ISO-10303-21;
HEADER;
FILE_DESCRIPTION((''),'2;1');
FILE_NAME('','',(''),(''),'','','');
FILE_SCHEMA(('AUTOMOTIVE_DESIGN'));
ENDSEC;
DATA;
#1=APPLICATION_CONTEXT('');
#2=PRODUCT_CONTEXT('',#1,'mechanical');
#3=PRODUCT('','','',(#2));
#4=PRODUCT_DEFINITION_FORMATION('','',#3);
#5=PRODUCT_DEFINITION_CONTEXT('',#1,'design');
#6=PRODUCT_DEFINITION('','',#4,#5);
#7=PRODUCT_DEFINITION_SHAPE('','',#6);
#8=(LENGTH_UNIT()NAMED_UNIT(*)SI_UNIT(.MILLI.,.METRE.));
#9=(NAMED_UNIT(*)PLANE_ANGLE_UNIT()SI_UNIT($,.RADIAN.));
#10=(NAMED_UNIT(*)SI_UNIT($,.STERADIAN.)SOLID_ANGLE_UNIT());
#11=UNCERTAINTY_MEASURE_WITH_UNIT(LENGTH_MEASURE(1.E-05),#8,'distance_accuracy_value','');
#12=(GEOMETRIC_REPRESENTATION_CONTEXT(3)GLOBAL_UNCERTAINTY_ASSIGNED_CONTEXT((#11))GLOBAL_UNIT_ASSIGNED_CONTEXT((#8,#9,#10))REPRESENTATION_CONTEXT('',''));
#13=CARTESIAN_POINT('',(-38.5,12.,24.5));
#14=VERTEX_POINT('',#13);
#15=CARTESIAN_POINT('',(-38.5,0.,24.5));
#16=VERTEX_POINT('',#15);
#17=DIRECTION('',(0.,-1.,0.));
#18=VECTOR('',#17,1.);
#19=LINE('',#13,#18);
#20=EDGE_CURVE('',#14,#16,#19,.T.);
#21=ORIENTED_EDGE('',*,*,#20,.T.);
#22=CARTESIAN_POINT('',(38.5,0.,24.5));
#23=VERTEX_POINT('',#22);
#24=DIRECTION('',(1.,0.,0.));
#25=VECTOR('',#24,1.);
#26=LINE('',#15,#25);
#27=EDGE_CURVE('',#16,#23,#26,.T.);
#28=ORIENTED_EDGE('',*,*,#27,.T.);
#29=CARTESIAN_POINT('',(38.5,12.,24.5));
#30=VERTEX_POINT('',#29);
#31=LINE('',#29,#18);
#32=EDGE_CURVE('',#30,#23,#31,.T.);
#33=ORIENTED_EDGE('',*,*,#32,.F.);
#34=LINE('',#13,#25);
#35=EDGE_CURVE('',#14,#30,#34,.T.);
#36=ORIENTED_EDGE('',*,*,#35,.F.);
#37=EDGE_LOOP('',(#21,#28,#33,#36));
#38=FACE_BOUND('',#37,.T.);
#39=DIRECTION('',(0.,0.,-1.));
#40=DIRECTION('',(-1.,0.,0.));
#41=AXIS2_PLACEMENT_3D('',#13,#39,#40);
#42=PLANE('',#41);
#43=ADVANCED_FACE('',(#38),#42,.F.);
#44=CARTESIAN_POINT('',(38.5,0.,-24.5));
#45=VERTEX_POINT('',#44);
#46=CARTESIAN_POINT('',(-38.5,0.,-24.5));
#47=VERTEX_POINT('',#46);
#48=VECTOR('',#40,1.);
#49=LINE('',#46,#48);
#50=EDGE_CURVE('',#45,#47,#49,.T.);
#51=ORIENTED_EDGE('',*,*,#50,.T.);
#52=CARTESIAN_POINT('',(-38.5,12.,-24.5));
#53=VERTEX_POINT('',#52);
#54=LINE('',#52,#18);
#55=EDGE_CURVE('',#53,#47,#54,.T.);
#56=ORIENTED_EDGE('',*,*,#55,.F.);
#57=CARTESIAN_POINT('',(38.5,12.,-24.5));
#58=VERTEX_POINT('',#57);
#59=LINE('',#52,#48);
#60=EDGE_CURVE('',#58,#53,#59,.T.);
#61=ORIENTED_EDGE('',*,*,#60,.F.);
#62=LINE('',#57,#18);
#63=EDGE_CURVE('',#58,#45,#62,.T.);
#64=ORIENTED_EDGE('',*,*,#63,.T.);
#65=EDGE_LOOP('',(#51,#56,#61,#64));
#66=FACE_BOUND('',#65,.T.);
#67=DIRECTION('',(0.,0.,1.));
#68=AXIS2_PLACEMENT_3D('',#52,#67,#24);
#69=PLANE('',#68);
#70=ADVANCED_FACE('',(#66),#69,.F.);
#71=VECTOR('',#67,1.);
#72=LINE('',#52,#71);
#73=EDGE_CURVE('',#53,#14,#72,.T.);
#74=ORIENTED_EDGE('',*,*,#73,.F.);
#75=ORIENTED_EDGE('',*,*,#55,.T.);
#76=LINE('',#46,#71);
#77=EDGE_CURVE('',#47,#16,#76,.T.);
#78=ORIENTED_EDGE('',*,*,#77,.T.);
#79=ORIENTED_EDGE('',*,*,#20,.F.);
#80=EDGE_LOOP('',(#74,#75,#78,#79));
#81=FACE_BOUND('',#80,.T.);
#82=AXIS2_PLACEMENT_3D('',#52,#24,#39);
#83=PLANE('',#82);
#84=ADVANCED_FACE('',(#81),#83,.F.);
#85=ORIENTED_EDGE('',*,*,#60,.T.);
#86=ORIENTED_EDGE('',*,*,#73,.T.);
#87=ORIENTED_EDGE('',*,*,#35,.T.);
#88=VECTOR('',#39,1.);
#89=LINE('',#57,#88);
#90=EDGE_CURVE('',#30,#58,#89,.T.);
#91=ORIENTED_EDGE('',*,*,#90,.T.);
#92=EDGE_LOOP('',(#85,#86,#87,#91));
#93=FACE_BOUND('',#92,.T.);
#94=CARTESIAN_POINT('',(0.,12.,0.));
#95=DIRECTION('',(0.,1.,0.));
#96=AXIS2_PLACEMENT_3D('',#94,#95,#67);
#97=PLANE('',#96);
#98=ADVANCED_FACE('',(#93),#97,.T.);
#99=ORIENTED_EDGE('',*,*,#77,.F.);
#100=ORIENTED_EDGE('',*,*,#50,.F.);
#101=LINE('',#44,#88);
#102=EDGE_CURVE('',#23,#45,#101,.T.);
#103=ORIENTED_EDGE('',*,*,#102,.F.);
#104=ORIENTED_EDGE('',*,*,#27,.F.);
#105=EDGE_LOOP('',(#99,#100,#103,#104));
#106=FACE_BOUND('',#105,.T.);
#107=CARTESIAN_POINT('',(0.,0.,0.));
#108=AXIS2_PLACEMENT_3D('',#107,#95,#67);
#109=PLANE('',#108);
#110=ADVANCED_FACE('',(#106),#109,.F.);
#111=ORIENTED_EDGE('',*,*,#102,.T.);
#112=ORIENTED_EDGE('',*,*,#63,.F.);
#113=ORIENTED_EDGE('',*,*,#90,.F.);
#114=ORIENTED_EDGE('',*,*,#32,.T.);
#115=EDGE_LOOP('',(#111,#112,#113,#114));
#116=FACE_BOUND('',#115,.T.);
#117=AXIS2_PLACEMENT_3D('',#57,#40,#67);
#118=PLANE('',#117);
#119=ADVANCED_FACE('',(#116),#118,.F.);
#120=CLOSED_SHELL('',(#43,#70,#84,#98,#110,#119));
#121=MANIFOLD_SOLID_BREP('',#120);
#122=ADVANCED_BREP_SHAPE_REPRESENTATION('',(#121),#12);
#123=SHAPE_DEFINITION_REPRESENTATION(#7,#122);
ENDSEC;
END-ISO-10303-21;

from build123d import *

# Parameters (mm, degrees)
ESBO_O1_W                = 77
ESBO_O1_H                = 49
RESSALTO_EXTRUS_O1_DEPTH = 12


with BuildPart() as part:
    # Esboço1 → Ressalto-extrusão1 (new body)
    with BuildSketch(Plane(origin=(0, 0, 0), x_dir=(1, 0, 0), z_dir=(0, 1, 0))):
        Rectangle(ESBO_O1_W, ESBO_O1_H)
    extrude(amount=RESSALTO_EXTRUS_O1_DEPTH)


solid = part.part
